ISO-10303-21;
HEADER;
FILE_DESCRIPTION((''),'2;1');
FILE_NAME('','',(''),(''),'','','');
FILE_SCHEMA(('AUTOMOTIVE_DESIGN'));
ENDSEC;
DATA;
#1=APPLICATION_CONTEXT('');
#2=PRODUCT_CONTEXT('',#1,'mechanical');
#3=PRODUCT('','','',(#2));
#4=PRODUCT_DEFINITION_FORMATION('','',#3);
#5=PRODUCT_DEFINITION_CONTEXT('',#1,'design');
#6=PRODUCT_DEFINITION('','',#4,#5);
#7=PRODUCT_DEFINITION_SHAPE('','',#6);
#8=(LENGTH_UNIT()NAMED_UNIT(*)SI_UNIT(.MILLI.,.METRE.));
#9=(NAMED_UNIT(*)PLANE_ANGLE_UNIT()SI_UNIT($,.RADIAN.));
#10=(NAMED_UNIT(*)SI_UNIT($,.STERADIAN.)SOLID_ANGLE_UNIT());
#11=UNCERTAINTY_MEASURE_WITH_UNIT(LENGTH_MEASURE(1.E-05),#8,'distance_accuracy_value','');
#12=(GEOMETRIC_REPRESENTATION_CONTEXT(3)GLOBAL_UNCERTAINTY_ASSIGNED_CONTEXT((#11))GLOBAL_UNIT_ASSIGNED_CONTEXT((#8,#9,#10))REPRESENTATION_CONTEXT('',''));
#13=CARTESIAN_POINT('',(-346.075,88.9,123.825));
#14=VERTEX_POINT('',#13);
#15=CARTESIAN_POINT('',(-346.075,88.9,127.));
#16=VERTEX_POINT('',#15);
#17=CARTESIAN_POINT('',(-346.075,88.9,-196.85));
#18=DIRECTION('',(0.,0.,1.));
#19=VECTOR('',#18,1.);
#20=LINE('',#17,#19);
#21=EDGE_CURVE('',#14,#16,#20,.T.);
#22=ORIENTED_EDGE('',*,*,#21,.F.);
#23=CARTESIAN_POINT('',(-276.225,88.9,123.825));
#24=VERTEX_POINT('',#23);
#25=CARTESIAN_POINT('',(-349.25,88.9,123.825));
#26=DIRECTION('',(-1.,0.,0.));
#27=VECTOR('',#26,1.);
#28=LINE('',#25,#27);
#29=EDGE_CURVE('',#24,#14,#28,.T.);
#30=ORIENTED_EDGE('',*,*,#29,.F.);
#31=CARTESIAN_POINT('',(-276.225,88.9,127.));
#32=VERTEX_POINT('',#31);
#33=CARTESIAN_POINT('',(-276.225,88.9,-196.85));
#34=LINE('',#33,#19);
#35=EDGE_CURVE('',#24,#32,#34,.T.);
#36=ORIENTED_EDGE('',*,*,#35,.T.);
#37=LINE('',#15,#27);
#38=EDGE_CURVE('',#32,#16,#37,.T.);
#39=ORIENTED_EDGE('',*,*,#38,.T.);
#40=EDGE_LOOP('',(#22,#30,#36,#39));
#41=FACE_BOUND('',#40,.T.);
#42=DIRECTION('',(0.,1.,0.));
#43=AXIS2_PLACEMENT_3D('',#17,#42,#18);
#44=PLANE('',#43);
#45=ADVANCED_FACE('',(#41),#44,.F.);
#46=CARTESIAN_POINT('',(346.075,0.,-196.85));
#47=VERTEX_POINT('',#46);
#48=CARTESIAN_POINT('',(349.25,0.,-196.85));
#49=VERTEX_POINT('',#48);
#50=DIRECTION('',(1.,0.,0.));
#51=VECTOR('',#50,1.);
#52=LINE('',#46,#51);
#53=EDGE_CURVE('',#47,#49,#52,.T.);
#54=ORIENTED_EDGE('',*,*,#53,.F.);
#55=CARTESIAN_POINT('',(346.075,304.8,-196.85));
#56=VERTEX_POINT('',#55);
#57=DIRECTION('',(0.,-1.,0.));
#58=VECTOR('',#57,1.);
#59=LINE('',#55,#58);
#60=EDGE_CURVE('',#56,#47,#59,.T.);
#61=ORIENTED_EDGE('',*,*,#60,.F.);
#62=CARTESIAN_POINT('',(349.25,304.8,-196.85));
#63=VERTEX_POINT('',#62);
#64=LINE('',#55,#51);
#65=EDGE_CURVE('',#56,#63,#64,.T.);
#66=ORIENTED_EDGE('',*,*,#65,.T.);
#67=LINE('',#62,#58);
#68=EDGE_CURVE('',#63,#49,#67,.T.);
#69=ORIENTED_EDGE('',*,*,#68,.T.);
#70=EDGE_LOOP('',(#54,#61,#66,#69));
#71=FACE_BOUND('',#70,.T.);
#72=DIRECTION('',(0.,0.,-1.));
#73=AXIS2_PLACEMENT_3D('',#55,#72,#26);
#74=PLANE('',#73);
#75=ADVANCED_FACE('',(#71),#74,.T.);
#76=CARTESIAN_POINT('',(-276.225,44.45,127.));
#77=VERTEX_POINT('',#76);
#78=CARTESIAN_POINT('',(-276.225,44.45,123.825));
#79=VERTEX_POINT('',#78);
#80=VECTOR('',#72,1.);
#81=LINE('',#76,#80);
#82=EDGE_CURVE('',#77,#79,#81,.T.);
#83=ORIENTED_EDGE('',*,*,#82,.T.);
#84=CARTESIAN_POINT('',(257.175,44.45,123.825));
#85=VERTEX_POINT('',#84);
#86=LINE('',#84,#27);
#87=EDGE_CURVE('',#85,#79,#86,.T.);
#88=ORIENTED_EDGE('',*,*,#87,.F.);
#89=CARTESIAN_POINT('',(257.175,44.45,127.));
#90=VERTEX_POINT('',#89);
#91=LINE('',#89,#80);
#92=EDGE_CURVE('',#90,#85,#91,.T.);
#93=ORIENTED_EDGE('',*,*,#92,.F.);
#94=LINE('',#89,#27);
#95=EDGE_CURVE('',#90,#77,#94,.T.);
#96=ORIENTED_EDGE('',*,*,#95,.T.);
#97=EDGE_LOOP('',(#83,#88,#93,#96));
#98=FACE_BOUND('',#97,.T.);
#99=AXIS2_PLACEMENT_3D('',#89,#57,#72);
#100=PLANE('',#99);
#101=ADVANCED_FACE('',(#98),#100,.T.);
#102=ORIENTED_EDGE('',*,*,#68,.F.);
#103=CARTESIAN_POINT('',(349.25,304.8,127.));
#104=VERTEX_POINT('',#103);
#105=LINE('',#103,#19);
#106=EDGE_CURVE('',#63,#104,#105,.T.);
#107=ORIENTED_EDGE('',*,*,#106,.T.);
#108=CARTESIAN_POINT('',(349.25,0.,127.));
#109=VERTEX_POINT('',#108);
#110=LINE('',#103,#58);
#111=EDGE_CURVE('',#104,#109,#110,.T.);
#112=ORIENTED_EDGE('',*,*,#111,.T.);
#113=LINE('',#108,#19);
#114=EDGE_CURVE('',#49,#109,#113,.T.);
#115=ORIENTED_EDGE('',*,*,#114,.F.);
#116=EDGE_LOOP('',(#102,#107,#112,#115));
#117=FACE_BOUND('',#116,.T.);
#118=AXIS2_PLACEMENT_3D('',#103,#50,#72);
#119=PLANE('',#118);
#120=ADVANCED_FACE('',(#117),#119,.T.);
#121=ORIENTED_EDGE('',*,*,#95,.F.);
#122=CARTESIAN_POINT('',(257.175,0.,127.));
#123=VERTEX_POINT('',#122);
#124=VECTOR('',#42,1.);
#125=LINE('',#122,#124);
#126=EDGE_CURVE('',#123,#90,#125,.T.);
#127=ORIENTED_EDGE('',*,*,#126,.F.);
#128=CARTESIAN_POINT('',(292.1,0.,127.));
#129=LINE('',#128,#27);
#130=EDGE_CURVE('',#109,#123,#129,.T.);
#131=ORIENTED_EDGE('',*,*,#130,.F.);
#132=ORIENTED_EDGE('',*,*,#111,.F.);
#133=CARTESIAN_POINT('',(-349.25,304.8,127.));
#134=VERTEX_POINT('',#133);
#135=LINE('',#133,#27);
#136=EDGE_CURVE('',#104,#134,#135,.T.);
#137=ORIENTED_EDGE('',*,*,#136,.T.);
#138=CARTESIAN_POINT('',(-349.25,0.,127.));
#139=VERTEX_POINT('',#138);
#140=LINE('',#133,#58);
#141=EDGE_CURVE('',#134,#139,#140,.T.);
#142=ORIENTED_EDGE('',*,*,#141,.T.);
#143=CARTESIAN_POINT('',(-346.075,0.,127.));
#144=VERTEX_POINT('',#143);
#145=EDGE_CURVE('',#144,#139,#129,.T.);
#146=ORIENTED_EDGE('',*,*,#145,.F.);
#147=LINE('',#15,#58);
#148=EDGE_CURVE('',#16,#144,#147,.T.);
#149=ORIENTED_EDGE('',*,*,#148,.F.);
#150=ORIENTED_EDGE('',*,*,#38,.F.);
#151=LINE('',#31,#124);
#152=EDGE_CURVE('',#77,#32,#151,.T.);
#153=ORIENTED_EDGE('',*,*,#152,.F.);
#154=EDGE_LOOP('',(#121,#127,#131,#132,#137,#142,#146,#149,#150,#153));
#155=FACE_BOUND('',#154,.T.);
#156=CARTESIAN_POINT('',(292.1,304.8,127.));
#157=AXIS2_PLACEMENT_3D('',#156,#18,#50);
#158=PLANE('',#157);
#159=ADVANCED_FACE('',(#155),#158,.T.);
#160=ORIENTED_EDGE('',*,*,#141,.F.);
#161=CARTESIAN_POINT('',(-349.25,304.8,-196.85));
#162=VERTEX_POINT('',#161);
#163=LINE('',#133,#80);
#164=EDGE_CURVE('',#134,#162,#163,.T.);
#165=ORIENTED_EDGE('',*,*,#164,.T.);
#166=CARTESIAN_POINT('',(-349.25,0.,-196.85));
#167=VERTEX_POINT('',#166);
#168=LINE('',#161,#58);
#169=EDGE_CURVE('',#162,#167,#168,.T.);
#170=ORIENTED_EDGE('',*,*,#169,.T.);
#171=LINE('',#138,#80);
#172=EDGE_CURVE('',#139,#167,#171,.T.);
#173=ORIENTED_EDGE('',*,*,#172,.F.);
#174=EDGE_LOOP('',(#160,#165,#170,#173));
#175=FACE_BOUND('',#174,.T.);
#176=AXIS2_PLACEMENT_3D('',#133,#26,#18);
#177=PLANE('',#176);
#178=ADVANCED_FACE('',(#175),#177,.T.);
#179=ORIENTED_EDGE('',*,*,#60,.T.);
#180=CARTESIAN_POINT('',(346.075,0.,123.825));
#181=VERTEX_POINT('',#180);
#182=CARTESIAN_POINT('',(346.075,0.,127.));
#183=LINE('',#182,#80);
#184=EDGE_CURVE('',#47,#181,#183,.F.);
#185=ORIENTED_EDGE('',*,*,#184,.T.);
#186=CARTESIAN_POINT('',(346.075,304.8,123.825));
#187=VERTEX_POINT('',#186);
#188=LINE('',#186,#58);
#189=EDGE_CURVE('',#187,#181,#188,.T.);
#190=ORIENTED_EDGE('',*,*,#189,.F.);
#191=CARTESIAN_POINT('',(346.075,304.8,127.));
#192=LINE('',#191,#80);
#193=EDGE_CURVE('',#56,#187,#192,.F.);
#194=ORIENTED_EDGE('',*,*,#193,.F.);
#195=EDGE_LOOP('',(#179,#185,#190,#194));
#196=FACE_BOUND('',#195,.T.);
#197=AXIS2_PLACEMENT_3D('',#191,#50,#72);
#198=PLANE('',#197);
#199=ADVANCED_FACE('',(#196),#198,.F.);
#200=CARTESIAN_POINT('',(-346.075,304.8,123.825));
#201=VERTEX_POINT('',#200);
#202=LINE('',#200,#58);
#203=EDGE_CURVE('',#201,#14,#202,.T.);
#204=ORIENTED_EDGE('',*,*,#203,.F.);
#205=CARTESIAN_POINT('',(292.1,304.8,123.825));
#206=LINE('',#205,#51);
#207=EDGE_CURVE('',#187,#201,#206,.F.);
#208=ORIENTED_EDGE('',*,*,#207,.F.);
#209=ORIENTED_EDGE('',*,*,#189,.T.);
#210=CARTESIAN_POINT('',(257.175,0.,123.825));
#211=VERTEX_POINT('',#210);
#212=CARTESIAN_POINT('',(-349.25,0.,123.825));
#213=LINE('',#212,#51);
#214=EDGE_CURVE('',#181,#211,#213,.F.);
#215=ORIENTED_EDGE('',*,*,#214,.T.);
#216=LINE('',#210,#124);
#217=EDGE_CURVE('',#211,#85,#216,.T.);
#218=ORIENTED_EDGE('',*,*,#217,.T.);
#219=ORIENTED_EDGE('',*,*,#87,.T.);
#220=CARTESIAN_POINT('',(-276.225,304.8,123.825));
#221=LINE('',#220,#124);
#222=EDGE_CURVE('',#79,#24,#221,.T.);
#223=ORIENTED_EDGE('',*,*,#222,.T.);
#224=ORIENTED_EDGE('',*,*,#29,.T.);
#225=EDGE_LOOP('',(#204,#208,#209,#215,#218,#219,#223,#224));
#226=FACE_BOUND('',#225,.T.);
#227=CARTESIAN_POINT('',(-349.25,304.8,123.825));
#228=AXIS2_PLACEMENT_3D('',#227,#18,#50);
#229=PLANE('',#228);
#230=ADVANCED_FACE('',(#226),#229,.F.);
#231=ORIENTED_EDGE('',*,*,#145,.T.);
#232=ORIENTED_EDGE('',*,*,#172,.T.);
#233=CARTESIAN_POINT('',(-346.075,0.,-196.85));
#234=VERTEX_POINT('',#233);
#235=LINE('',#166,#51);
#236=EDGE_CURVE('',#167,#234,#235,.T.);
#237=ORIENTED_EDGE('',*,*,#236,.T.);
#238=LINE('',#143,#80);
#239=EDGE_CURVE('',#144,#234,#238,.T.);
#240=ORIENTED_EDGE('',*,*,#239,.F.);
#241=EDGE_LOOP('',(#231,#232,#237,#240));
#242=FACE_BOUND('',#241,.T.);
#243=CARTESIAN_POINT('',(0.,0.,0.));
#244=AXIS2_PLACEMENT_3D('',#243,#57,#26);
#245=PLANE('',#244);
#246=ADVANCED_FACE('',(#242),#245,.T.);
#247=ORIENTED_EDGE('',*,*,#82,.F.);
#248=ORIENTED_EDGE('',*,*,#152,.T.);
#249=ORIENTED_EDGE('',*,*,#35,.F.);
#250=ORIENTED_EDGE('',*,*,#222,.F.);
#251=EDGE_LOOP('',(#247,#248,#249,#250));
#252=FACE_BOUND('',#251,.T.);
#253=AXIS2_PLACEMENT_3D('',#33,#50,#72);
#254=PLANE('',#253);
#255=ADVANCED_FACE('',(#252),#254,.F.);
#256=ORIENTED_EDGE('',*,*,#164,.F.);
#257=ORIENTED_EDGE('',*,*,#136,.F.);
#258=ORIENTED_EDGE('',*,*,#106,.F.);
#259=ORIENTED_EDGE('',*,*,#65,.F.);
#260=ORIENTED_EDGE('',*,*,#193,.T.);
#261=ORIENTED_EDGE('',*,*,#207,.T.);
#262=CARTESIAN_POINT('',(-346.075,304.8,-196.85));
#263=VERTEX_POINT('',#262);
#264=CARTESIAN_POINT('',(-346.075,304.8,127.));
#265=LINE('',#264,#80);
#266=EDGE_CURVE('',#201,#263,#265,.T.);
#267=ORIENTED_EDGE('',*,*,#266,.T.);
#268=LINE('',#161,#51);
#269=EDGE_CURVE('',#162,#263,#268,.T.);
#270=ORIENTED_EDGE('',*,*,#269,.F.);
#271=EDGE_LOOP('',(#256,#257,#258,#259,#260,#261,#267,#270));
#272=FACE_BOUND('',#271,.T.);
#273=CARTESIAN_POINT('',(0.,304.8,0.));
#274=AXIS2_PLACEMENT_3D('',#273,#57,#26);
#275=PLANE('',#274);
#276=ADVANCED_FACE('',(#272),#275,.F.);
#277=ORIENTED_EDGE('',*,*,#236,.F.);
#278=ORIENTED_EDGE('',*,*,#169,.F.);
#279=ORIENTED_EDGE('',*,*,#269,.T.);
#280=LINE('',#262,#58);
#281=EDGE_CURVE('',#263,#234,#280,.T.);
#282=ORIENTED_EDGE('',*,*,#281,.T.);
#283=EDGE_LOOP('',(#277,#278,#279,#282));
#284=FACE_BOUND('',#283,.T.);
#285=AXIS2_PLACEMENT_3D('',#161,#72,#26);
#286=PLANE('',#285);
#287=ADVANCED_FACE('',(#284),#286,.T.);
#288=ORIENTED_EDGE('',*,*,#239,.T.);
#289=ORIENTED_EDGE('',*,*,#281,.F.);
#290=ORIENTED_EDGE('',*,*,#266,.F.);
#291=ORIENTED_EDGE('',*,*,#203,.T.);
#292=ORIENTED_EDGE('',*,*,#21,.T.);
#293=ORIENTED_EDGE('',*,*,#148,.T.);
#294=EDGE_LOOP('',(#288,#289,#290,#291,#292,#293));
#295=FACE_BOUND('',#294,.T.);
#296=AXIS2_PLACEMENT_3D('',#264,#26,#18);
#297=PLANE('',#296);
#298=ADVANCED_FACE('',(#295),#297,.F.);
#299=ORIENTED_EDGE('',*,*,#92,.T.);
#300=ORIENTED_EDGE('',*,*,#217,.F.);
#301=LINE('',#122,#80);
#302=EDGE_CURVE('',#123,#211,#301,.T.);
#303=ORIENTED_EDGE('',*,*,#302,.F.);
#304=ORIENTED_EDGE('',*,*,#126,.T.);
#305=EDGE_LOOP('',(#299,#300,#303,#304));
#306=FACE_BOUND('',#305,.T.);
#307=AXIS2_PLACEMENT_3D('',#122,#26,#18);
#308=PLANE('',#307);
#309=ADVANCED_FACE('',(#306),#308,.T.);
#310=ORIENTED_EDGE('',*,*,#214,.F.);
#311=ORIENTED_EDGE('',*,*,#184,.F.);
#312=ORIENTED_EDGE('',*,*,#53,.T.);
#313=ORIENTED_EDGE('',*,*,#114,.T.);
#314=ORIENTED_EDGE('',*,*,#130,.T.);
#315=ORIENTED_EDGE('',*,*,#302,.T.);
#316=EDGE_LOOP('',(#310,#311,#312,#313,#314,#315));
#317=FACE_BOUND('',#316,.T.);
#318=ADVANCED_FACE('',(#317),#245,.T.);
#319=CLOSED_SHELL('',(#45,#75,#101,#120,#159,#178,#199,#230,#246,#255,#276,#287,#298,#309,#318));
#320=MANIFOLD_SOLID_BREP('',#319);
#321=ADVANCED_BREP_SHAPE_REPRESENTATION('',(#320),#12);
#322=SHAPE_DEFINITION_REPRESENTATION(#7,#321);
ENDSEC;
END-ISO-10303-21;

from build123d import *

# Parameters (mm, degrees)
EXTRUDE_THIN1_DEPTH = 304.8
SKETCH2_W           = 69.85
SKETCH2_H           = 88.9
CUT_EXTRUDE1_DEPTH  = 324.85
SKETCH3_W           = 533.4
SKETCH3_H           = 44.45
CUT_EXTRUDE2_DEPTH  = 4.175


with BuildPart() as part:
    # Sketch1 → Extrude-Thin1 (new body)
    with BuildSketch(Plane(origin=(0, 0, 0), x_dir=(1, 0, 0), z_dir=(0, 1, 0))):
        Polygon((-349.25, 196.85), (-349.25, -127), (-101.6, -127), (292.1, -127), (349.25, -127), (349.25, 196.85), (346.075, 196.85), (346.075, -123.825), (292.1, -123.825), (-101.6, -123.825), (-346.075, -123.825), (-346.075, 196.85), align=None)
    extrude(amount=EXTRUDE_THIN1_DEPTH)

    # Sketch2 → Cut-Extrude1 (cut, through all)
    with BuildSketch(Plane(origin=(-139.504532993, -186.632694872, 127), x_dir=(1, 0, 0), z_dir=(0, 0, 1))):
        with Locations((-171.645467007, 231.082694872)):
            Rectangle(SKETCH2_W, SKETCH2_H)
    extrude(amount=-CUT_EXTRUDE1_DEPTH, mode=Mode.SUBTRACT)

    # Sketch3 → Cut-Extrude2 (cut, through all)
    with BuildSketch(Plane(origin=(0, 0, 123.825), x_dir=(-1, 0, 0), z_dir=(0, 0, -1))):
        with Locations((9.525, 22.225)):
            Rectangle(SKETCH3_W, SKETCH3_H)
    extrude(amount=-CUT_EXTRUDE2_DEPTH, mode=Mode.SUBTRACT)


solid = part.part
